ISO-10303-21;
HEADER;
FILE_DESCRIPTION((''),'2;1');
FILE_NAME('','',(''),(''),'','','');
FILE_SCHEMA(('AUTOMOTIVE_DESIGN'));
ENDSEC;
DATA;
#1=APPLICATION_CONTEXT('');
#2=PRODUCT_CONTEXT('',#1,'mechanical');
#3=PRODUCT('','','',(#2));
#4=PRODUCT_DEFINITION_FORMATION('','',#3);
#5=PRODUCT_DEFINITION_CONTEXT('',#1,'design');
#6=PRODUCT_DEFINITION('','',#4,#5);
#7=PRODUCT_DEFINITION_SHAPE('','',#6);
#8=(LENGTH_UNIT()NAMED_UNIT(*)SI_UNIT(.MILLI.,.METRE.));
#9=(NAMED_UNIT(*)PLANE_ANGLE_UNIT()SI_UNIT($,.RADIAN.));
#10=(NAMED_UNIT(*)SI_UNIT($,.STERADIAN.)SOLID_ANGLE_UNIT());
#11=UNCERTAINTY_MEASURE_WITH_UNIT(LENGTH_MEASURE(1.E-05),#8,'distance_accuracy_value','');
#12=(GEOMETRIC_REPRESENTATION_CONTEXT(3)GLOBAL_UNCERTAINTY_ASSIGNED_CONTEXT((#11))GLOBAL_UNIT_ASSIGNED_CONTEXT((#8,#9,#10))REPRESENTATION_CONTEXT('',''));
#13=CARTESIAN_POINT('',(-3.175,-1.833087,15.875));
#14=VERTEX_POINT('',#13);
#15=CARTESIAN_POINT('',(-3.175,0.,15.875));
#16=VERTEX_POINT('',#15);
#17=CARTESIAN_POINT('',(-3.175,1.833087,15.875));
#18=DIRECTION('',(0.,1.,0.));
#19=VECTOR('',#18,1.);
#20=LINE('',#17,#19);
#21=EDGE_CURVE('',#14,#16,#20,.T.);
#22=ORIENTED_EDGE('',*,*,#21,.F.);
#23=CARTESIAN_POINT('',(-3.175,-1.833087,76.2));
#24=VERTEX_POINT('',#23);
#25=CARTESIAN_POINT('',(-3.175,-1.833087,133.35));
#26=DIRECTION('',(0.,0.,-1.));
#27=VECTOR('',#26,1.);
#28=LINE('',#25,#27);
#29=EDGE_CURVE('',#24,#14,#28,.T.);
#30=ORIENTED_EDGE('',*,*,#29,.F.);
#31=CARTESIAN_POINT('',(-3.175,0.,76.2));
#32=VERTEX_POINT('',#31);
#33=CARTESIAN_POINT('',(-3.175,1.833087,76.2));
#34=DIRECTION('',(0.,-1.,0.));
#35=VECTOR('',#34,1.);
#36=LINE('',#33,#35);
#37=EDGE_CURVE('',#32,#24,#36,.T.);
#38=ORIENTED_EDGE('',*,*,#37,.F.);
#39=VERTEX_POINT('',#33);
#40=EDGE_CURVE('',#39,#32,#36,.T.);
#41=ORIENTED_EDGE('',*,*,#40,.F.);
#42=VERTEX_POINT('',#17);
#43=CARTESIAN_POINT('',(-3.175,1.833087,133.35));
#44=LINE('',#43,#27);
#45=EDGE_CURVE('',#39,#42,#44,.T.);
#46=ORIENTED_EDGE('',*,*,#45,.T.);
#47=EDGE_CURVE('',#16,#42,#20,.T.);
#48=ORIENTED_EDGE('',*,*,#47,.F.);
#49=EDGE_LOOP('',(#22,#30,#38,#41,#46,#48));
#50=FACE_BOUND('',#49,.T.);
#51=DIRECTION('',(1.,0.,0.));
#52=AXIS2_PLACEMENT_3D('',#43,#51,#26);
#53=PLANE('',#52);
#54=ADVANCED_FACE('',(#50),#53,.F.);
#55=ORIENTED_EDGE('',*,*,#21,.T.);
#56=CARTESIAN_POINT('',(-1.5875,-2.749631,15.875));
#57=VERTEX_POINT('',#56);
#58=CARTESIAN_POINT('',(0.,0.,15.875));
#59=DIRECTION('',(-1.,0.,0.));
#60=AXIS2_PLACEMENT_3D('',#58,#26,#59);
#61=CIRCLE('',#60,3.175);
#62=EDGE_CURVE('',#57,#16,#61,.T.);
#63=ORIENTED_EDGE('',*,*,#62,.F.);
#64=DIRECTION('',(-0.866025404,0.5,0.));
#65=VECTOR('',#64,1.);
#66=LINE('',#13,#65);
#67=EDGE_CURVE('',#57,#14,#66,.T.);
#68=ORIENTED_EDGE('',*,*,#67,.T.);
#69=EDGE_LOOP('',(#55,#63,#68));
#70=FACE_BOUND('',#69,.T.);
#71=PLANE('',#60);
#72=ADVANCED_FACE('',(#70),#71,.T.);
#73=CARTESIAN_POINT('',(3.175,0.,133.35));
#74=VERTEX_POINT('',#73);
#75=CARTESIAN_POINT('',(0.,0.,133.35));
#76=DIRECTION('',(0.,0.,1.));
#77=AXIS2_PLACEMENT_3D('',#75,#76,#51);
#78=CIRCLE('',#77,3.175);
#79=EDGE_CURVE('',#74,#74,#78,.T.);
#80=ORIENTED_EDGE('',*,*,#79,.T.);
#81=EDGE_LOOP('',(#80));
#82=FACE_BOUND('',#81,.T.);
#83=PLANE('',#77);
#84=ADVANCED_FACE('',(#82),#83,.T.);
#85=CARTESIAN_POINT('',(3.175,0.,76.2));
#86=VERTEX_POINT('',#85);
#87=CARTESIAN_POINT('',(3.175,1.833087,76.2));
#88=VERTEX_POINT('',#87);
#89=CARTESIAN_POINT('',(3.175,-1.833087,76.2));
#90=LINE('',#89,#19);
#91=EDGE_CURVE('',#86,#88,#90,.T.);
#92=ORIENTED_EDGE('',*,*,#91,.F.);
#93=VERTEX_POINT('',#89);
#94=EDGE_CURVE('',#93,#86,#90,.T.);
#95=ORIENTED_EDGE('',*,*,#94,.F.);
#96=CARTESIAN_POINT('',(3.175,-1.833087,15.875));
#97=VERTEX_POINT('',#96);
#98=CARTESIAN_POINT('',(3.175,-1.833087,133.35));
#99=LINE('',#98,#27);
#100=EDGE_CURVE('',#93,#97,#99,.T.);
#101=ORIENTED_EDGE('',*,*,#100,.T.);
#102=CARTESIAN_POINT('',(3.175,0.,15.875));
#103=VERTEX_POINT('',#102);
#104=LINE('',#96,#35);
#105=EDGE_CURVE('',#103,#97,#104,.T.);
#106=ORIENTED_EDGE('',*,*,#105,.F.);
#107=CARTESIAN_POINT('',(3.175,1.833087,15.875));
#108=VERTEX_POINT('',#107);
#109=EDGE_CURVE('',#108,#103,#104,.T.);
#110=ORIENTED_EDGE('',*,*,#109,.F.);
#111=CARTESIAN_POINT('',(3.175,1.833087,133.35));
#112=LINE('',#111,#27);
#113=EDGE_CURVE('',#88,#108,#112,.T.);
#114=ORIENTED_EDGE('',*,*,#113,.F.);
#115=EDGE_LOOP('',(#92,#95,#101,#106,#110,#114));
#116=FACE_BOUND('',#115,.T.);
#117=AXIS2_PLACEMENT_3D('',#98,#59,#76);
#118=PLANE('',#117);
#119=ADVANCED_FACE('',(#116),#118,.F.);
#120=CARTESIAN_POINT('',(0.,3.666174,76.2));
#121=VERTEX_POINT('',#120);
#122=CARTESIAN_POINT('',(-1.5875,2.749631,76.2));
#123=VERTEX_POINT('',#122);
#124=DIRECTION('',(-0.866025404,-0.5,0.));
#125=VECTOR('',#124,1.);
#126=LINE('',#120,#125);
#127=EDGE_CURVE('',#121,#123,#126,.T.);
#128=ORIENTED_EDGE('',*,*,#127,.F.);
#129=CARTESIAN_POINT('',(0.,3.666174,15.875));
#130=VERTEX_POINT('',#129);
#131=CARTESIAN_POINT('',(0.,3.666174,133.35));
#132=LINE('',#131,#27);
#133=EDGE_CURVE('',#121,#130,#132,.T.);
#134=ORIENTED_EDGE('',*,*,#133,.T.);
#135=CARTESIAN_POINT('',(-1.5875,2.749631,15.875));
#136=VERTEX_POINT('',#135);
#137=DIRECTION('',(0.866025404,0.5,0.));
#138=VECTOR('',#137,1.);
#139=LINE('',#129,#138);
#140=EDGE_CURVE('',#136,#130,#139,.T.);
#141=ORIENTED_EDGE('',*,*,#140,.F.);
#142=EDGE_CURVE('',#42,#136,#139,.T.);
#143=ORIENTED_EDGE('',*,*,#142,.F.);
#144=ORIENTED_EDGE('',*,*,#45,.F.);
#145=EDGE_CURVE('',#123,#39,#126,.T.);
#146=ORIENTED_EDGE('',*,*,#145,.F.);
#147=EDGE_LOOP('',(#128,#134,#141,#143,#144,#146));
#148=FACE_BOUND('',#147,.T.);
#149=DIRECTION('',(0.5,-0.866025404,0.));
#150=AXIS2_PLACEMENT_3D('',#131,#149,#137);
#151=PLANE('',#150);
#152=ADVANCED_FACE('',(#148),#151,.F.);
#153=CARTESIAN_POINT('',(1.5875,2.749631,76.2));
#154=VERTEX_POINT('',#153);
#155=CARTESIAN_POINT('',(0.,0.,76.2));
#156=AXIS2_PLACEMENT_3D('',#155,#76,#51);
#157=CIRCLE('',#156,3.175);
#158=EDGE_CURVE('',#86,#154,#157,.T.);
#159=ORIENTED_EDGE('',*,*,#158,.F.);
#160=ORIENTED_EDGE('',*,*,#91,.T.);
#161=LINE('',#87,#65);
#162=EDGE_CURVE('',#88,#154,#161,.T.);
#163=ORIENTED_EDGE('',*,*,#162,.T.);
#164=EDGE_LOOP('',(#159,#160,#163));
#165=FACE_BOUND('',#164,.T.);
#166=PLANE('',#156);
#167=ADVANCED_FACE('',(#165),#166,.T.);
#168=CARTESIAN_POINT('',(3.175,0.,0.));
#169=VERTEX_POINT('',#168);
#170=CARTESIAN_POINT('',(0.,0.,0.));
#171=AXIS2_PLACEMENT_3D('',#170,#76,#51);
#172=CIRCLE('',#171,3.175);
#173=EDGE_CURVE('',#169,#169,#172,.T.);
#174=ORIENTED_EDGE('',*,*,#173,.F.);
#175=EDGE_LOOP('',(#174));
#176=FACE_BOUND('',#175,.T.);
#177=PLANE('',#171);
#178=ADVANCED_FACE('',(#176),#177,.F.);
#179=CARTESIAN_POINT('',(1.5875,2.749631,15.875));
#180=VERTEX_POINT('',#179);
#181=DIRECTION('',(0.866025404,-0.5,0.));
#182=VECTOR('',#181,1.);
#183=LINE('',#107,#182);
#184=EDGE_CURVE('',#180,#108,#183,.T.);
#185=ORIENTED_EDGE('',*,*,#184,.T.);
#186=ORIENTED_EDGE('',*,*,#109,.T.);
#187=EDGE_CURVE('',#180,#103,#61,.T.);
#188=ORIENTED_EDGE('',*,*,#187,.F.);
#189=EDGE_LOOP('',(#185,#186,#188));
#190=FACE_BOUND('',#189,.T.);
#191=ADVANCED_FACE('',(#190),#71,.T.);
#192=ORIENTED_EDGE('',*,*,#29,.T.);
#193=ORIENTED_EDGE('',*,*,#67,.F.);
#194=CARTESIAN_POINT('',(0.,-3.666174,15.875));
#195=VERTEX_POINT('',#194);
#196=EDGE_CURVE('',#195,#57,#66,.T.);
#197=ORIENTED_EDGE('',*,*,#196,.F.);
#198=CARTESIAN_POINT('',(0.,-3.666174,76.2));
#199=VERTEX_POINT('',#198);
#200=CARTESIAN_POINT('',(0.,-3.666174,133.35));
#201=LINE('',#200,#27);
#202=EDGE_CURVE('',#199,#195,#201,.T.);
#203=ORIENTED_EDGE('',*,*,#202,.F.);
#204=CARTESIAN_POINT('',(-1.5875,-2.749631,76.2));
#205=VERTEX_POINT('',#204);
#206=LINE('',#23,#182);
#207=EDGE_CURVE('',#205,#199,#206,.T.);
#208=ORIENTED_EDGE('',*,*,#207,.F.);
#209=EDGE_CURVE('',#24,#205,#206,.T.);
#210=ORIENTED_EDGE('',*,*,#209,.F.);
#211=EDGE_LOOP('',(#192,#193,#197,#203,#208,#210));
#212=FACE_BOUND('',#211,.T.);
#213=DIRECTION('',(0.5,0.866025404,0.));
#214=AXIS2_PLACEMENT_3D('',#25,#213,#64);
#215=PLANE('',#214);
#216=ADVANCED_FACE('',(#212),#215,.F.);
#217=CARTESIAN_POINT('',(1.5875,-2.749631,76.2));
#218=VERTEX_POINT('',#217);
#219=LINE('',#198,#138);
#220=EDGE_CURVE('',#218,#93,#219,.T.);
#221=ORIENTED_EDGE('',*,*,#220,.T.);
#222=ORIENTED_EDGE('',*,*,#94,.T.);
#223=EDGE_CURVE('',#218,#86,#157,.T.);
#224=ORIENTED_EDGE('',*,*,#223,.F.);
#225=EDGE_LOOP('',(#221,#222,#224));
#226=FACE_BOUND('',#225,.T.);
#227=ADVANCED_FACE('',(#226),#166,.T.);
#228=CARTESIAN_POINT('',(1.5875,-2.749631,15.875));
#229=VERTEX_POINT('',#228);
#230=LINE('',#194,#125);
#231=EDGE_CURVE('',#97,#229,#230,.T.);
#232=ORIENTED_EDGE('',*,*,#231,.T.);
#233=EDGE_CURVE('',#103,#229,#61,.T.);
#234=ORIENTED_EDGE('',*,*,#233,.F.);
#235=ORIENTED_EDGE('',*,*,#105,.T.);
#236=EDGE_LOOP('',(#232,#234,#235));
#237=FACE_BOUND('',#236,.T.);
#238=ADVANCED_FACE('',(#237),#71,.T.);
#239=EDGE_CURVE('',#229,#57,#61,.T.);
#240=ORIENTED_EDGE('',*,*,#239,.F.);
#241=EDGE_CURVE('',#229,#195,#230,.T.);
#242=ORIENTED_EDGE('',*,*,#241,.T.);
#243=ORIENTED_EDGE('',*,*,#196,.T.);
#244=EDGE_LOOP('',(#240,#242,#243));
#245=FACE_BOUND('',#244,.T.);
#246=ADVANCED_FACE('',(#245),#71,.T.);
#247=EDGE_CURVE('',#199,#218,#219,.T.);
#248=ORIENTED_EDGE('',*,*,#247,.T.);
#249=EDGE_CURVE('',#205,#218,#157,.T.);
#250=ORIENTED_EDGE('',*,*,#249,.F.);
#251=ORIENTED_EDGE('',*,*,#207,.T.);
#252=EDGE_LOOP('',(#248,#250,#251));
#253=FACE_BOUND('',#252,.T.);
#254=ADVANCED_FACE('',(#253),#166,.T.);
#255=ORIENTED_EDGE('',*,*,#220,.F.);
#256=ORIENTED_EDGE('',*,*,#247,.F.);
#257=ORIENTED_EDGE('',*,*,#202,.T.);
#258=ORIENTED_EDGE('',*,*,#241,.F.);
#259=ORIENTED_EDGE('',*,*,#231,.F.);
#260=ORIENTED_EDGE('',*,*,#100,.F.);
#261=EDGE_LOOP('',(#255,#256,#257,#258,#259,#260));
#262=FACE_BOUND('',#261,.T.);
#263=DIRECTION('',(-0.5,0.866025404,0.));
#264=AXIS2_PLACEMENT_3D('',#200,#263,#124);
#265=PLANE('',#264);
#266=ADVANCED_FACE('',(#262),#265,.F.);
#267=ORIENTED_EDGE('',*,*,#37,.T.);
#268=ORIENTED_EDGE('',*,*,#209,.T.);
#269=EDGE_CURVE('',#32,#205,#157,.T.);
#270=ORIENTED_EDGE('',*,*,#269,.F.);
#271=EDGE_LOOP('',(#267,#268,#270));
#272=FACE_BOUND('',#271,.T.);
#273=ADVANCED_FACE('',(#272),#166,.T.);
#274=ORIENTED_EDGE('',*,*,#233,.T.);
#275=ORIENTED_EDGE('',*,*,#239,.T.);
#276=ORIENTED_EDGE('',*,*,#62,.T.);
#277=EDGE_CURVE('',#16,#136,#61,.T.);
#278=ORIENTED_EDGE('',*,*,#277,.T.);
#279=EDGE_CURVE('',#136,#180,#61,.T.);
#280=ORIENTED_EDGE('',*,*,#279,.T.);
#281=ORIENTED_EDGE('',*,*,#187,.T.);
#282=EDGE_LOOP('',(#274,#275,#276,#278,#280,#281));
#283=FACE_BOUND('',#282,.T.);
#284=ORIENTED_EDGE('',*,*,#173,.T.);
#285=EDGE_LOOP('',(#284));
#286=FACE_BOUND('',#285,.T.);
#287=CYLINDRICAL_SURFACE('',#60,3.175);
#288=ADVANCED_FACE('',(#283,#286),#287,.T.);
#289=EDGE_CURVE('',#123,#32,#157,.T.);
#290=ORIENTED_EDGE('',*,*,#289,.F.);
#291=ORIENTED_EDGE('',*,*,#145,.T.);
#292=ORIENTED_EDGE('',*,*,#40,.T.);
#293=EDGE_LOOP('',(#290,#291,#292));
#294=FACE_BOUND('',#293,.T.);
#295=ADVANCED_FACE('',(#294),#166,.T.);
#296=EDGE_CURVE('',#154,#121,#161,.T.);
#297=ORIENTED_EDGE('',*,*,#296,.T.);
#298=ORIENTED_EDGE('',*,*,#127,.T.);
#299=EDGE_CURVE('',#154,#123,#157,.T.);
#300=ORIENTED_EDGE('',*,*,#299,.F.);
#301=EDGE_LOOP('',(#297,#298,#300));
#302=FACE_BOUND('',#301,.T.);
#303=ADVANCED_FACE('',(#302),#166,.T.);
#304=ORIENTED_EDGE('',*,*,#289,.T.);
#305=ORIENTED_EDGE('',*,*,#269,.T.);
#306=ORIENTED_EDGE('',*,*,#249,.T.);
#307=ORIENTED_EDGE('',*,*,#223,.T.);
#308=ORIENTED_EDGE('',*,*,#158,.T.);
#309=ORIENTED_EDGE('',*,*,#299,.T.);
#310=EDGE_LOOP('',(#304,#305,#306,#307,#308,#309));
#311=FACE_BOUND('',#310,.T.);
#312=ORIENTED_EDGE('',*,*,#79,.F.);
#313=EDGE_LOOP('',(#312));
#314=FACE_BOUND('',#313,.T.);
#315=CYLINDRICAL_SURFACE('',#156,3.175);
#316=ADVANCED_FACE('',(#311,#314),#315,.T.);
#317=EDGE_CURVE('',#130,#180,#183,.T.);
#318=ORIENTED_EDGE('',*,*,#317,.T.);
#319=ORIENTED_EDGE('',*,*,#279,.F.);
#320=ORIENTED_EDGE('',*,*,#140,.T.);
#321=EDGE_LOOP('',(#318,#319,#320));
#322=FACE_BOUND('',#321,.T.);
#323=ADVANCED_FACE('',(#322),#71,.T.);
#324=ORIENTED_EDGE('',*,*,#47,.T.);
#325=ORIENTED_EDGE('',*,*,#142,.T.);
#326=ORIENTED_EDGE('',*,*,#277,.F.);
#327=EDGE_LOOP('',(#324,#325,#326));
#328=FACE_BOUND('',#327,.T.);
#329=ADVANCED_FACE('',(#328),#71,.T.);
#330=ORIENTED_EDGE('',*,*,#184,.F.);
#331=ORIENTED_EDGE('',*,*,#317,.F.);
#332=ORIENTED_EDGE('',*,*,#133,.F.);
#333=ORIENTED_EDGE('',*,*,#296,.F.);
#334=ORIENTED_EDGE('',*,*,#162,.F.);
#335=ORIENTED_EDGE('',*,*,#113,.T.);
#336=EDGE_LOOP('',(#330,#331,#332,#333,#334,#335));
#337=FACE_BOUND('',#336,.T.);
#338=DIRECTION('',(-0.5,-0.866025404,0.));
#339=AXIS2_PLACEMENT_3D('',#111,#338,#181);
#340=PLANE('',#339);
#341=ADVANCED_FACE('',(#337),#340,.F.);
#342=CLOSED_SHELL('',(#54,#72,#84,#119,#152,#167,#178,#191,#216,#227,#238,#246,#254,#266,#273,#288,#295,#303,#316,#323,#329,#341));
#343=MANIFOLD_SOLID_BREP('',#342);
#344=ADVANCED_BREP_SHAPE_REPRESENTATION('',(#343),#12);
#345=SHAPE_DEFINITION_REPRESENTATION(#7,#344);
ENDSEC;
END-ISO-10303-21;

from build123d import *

# Parameters (mm, degrees)
BOSS_EXTRUDE1_DEPTH = 133.35
SKETCH3_OUTSIDE_W   = 35.09
SKETCH3_OUTSIDE_H   = 36.072
SKETCH3_OUTSIDE_R   = 3.175
CUT_EXTRUDE1_DEPTH  = 57.15
SKETCH4_OUTSIDE_W   = 35.09
SKETCH4_OUTSIDE_H   = 36.072
SKETCH4_OUTSIDE_R   = 3.175
CUT_EXTRUDE2_DEPTH  = 15.875


with BuildPart() as part:
    # Sketch2 → Boss-Extrude1 (new body)
    with BuildSketch(Plane.XY):
        Polygon((0, 3.666174209), (-3.175, 1.833087105), (-3.175, -1.833087105), (0, -3.666174209), (3.175, -1.833087105), (3.175, 1.833087105), align=None)
    extrude(amount=BOSS_EXTRUDE1_DEPTH)

    # Sketch3 outside → Cut-Extrude1 (cut)
    with BuildSketch(Plane.XY.offset(133.35)):
        Rectangle(SKETCH3_OUTSIDE_W, SKETCH3_OUTSIDE_H)
        Circle(SKETCH3_OUTSIDE_R, mode=Mode.SUBTRACT)
    extrude(amount=-CUT_EXTRUDE1_DEPTH, mode=Mode.SUBTRACT)

    # Sketch4 outside → Cut-Extrude2 (cut)
    with BuildSketch(Plane(origin=(0, 0, 0), x_dir=(-1, 0, 0), z_dir=(0, 0, -1))):
        Rectangle(SKETCH4_OUTSIDE_W, SKETCH4_OUTSIDE_H)
        Circle(SKETCH4_OUTSIDE_R, mode=Mode.SUBTRACT)
    extrude(amount=-CUT_EXTRUDE2_DEPTH, mode=Mode.SUBTRACT)


solid = part.part
